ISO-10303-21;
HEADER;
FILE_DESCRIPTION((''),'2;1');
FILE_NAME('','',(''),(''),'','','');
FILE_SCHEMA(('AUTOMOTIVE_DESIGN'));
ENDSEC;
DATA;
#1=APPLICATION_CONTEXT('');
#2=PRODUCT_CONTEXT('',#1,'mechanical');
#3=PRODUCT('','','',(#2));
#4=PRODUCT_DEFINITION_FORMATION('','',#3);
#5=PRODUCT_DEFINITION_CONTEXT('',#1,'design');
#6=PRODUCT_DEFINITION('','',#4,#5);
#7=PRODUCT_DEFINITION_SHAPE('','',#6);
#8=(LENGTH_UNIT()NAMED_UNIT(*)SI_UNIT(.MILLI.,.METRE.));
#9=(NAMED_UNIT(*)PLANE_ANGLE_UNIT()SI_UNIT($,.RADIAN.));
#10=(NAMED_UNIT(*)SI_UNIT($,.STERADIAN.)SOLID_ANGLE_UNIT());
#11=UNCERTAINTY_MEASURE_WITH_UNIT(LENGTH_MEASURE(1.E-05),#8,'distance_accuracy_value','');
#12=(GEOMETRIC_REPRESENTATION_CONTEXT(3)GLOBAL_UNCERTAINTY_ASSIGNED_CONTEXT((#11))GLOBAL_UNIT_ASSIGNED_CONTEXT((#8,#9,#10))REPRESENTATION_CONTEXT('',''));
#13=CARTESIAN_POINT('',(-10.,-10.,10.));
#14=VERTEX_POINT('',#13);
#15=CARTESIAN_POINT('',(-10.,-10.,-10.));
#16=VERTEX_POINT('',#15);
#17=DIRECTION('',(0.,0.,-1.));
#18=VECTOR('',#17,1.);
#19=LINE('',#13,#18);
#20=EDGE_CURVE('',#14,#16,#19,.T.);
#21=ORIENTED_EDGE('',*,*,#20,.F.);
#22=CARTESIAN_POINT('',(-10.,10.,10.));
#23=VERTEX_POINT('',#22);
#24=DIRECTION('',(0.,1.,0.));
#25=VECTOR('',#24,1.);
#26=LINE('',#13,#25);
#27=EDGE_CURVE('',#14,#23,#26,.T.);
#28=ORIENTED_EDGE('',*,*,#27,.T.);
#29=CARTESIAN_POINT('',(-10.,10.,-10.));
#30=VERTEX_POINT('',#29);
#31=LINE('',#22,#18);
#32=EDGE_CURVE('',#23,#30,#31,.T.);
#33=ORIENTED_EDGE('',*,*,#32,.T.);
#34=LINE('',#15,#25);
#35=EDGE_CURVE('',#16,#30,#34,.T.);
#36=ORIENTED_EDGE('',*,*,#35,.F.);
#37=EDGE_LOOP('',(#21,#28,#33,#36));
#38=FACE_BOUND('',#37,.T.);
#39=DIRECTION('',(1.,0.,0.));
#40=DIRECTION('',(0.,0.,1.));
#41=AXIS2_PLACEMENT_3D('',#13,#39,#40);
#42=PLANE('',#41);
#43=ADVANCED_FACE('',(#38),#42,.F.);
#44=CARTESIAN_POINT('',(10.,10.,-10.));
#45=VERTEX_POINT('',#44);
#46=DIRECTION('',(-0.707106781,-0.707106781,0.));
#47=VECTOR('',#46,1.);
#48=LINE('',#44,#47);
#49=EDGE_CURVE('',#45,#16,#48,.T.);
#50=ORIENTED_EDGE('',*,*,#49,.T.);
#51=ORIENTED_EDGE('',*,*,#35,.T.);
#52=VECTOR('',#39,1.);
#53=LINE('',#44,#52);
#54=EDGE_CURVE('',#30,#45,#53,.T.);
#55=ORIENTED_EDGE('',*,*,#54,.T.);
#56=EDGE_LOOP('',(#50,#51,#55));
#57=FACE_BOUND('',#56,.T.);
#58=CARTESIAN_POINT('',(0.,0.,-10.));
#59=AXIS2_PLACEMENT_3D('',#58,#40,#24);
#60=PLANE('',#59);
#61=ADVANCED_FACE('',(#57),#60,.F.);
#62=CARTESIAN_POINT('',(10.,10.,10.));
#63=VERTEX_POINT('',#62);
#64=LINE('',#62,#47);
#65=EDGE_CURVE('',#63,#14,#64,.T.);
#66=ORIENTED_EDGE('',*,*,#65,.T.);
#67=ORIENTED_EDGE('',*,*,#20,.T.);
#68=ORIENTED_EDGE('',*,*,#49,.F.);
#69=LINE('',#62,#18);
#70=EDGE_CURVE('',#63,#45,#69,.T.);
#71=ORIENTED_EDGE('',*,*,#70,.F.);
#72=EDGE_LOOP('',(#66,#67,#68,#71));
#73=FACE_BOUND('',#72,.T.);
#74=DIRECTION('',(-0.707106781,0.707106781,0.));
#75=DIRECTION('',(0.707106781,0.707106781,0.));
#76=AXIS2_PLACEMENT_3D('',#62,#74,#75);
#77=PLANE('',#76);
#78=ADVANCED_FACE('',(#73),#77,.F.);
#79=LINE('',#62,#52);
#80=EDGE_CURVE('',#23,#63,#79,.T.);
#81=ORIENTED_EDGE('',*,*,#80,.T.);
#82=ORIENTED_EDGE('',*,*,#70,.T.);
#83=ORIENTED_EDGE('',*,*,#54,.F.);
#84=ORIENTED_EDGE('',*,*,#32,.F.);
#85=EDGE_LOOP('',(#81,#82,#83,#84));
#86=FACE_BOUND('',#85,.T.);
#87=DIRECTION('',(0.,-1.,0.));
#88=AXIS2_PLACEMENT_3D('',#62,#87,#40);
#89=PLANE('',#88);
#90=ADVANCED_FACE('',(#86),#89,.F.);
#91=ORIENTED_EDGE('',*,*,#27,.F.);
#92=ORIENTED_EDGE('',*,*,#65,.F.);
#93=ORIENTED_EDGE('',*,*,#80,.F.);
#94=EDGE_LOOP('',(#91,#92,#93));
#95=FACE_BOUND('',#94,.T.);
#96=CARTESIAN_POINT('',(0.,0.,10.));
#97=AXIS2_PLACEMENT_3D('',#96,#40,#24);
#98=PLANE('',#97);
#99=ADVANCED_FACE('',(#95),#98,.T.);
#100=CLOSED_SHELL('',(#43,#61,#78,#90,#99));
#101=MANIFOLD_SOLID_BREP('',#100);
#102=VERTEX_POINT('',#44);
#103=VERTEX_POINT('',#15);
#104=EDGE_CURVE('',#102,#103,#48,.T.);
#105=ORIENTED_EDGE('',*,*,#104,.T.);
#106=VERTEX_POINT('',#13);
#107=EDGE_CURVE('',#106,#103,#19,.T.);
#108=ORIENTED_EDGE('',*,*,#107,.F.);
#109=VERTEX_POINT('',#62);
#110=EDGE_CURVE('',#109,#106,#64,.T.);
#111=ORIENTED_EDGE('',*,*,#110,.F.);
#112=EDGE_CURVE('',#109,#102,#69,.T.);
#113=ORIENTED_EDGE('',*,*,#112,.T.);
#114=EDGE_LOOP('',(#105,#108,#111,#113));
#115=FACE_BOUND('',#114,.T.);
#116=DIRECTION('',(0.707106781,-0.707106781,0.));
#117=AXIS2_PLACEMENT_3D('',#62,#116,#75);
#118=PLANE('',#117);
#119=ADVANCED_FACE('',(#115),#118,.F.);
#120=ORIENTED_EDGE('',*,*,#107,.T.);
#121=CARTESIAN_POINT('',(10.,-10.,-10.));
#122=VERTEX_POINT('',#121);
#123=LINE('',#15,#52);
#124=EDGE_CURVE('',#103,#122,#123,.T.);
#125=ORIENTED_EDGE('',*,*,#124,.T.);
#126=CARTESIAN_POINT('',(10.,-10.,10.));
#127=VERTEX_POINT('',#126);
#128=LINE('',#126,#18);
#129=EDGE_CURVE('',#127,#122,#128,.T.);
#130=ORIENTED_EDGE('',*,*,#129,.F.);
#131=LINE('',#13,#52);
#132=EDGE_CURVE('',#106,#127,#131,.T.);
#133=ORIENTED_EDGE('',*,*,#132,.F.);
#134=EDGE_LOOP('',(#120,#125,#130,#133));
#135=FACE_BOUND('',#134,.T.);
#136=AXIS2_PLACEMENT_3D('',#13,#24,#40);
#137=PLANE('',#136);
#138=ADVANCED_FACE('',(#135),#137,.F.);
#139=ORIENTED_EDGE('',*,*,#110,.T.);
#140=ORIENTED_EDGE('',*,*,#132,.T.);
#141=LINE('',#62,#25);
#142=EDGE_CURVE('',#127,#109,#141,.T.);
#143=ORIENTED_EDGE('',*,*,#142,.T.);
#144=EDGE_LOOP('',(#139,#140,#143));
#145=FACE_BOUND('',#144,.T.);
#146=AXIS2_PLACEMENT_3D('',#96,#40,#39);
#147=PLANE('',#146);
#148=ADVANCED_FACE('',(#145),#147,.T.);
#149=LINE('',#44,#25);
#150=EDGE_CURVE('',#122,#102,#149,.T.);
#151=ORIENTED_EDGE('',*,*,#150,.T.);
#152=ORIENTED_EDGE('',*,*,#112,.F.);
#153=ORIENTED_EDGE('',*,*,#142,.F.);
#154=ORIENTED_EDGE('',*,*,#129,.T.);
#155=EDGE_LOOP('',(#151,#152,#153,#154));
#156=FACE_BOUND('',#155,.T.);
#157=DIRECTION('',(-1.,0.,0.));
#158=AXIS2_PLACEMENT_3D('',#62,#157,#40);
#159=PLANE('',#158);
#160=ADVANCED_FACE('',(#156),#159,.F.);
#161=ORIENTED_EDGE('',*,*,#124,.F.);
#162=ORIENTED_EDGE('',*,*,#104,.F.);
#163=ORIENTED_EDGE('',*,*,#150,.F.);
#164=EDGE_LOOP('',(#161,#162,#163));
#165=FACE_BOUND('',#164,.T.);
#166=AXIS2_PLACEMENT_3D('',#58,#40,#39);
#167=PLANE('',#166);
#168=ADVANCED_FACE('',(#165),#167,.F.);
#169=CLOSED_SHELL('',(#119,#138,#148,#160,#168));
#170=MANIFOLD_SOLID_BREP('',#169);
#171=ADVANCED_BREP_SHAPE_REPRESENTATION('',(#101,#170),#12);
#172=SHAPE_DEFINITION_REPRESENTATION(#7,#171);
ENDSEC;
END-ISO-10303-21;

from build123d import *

# Parameters (mm, degrees)
EXTRUDE_1_DEPTH = 10


with BuildPart() as part:
    # 草图1 → 凸台-拉伸1 (new body, symmetric)
    with BuildSketch(Plane.XY):
        Polygon((-10, -10), (10, -10), (10, 10), align=None)
    extrude(amount=EXTRUDE_1_DEPTH, both=True)


with BuildPart() as body_2:
    # 镜向2: mirrored copy
    add(part.part.mirror(Plane(origin=(10, 10, 10), x_dir=(0, 0, 1), z_dir=(0.707106781, -0.707106781, 0))))


solid = Compound([part.part, body_2.part])
